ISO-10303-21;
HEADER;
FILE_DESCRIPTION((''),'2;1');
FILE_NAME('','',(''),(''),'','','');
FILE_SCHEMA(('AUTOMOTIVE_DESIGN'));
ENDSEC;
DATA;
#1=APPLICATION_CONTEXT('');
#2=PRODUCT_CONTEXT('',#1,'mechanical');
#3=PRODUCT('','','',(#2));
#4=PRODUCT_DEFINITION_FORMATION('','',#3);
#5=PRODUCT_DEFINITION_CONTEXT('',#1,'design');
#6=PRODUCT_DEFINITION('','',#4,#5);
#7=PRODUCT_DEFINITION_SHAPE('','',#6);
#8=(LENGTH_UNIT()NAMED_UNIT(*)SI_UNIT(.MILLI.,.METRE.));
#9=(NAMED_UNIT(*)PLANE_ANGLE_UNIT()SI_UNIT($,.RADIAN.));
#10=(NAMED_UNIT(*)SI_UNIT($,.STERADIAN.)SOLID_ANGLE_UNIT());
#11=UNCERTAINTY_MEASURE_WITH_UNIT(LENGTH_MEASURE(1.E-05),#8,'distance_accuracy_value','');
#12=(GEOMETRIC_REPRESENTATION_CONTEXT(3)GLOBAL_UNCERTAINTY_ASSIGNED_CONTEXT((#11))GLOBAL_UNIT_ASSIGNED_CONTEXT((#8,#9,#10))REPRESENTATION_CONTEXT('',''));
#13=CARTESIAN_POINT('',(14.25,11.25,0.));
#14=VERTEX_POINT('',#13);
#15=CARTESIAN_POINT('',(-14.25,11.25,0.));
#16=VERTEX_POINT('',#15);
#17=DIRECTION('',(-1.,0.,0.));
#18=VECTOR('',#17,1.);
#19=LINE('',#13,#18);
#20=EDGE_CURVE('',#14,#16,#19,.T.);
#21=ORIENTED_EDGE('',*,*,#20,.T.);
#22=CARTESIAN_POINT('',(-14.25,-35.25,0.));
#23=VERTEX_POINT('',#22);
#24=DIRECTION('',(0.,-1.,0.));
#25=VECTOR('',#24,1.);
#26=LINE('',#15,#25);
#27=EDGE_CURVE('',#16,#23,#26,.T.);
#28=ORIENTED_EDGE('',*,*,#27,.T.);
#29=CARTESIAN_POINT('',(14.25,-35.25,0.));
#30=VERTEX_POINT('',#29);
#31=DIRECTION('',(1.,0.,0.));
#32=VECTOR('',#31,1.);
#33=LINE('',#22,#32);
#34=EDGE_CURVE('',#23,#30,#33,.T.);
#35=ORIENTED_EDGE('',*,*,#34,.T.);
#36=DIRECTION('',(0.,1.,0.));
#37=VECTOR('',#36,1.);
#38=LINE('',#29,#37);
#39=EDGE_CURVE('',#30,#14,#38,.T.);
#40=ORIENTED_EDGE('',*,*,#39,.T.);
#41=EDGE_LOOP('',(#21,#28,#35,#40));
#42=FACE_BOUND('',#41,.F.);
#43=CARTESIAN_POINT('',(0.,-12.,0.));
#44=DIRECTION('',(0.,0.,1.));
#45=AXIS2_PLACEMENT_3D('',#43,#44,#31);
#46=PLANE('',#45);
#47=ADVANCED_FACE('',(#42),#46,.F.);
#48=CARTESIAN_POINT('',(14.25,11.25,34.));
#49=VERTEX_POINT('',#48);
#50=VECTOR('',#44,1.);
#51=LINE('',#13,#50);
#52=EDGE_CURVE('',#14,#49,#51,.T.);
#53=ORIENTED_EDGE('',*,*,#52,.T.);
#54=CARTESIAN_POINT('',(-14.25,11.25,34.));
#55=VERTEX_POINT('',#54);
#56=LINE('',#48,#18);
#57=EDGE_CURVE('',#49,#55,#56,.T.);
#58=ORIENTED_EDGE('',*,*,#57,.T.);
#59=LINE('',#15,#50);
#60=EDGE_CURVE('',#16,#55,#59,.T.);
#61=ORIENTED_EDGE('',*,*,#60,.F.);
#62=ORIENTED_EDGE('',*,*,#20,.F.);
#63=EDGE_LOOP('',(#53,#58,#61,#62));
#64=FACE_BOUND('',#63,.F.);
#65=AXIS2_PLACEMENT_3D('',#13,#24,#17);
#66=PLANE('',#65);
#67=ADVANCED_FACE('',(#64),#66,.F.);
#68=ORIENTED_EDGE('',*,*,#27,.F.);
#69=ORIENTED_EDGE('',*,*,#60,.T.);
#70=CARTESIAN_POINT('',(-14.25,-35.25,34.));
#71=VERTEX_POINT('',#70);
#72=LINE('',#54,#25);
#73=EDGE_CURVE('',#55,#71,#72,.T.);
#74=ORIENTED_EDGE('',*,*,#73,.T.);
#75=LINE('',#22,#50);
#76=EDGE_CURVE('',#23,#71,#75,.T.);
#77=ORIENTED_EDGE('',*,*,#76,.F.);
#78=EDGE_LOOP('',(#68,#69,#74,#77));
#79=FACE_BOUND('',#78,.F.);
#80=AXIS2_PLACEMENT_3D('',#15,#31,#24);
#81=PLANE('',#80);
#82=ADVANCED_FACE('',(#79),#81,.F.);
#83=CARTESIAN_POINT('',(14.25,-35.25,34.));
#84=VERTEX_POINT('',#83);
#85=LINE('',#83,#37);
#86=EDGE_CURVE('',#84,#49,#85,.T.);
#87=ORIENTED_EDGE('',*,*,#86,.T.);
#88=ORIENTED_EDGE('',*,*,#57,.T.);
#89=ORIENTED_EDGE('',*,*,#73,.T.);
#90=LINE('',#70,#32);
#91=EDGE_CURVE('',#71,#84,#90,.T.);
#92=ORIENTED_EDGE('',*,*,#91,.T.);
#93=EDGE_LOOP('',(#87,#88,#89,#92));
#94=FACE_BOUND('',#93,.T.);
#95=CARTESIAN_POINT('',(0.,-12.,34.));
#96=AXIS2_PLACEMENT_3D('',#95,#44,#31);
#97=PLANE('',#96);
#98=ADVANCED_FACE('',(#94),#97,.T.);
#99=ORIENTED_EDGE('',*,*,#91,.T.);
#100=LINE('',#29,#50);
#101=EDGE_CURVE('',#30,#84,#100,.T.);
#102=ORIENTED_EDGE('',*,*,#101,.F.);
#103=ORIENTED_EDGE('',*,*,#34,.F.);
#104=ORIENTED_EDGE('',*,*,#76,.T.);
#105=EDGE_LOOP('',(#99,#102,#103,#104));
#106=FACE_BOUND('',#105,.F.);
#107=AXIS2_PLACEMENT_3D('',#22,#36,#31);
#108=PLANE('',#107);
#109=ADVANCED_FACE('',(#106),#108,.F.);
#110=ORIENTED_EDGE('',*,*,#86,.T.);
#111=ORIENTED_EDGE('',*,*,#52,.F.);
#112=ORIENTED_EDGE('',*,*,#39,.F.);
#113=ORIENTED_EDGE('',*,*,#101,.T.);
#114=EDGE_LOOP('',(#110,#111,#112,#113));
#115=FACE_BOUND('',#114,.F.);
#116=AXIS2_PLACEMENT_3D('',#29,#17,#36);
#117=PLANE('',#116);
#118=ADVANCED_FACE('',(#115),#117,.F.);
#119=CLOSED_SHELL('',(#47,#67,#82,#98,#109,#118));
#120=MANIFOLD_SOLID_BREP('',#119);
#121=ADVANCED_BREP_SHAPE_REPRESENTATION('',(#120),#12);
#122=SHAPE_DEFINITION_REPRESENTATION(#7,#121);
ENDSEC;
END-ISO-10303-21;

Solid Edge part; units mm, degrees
sketch "Sketch1" plane through (0, 0, 0) normal (0, 0, 1) x (1, 0, 0)
  line L0 (-14.25, -35.25) -> (14.25, -35.25)
  line L1 (14.25, -35.25) -> (14.25, 11.25)
  line L2 (14.25, 11.25) -> (-14.25, 11.25)
  line L3 (-14.25, 11.25) -> (-14.25, -35.25)
extrude "Protrusion1" add sketch "Sketch1" along normal blind 34
